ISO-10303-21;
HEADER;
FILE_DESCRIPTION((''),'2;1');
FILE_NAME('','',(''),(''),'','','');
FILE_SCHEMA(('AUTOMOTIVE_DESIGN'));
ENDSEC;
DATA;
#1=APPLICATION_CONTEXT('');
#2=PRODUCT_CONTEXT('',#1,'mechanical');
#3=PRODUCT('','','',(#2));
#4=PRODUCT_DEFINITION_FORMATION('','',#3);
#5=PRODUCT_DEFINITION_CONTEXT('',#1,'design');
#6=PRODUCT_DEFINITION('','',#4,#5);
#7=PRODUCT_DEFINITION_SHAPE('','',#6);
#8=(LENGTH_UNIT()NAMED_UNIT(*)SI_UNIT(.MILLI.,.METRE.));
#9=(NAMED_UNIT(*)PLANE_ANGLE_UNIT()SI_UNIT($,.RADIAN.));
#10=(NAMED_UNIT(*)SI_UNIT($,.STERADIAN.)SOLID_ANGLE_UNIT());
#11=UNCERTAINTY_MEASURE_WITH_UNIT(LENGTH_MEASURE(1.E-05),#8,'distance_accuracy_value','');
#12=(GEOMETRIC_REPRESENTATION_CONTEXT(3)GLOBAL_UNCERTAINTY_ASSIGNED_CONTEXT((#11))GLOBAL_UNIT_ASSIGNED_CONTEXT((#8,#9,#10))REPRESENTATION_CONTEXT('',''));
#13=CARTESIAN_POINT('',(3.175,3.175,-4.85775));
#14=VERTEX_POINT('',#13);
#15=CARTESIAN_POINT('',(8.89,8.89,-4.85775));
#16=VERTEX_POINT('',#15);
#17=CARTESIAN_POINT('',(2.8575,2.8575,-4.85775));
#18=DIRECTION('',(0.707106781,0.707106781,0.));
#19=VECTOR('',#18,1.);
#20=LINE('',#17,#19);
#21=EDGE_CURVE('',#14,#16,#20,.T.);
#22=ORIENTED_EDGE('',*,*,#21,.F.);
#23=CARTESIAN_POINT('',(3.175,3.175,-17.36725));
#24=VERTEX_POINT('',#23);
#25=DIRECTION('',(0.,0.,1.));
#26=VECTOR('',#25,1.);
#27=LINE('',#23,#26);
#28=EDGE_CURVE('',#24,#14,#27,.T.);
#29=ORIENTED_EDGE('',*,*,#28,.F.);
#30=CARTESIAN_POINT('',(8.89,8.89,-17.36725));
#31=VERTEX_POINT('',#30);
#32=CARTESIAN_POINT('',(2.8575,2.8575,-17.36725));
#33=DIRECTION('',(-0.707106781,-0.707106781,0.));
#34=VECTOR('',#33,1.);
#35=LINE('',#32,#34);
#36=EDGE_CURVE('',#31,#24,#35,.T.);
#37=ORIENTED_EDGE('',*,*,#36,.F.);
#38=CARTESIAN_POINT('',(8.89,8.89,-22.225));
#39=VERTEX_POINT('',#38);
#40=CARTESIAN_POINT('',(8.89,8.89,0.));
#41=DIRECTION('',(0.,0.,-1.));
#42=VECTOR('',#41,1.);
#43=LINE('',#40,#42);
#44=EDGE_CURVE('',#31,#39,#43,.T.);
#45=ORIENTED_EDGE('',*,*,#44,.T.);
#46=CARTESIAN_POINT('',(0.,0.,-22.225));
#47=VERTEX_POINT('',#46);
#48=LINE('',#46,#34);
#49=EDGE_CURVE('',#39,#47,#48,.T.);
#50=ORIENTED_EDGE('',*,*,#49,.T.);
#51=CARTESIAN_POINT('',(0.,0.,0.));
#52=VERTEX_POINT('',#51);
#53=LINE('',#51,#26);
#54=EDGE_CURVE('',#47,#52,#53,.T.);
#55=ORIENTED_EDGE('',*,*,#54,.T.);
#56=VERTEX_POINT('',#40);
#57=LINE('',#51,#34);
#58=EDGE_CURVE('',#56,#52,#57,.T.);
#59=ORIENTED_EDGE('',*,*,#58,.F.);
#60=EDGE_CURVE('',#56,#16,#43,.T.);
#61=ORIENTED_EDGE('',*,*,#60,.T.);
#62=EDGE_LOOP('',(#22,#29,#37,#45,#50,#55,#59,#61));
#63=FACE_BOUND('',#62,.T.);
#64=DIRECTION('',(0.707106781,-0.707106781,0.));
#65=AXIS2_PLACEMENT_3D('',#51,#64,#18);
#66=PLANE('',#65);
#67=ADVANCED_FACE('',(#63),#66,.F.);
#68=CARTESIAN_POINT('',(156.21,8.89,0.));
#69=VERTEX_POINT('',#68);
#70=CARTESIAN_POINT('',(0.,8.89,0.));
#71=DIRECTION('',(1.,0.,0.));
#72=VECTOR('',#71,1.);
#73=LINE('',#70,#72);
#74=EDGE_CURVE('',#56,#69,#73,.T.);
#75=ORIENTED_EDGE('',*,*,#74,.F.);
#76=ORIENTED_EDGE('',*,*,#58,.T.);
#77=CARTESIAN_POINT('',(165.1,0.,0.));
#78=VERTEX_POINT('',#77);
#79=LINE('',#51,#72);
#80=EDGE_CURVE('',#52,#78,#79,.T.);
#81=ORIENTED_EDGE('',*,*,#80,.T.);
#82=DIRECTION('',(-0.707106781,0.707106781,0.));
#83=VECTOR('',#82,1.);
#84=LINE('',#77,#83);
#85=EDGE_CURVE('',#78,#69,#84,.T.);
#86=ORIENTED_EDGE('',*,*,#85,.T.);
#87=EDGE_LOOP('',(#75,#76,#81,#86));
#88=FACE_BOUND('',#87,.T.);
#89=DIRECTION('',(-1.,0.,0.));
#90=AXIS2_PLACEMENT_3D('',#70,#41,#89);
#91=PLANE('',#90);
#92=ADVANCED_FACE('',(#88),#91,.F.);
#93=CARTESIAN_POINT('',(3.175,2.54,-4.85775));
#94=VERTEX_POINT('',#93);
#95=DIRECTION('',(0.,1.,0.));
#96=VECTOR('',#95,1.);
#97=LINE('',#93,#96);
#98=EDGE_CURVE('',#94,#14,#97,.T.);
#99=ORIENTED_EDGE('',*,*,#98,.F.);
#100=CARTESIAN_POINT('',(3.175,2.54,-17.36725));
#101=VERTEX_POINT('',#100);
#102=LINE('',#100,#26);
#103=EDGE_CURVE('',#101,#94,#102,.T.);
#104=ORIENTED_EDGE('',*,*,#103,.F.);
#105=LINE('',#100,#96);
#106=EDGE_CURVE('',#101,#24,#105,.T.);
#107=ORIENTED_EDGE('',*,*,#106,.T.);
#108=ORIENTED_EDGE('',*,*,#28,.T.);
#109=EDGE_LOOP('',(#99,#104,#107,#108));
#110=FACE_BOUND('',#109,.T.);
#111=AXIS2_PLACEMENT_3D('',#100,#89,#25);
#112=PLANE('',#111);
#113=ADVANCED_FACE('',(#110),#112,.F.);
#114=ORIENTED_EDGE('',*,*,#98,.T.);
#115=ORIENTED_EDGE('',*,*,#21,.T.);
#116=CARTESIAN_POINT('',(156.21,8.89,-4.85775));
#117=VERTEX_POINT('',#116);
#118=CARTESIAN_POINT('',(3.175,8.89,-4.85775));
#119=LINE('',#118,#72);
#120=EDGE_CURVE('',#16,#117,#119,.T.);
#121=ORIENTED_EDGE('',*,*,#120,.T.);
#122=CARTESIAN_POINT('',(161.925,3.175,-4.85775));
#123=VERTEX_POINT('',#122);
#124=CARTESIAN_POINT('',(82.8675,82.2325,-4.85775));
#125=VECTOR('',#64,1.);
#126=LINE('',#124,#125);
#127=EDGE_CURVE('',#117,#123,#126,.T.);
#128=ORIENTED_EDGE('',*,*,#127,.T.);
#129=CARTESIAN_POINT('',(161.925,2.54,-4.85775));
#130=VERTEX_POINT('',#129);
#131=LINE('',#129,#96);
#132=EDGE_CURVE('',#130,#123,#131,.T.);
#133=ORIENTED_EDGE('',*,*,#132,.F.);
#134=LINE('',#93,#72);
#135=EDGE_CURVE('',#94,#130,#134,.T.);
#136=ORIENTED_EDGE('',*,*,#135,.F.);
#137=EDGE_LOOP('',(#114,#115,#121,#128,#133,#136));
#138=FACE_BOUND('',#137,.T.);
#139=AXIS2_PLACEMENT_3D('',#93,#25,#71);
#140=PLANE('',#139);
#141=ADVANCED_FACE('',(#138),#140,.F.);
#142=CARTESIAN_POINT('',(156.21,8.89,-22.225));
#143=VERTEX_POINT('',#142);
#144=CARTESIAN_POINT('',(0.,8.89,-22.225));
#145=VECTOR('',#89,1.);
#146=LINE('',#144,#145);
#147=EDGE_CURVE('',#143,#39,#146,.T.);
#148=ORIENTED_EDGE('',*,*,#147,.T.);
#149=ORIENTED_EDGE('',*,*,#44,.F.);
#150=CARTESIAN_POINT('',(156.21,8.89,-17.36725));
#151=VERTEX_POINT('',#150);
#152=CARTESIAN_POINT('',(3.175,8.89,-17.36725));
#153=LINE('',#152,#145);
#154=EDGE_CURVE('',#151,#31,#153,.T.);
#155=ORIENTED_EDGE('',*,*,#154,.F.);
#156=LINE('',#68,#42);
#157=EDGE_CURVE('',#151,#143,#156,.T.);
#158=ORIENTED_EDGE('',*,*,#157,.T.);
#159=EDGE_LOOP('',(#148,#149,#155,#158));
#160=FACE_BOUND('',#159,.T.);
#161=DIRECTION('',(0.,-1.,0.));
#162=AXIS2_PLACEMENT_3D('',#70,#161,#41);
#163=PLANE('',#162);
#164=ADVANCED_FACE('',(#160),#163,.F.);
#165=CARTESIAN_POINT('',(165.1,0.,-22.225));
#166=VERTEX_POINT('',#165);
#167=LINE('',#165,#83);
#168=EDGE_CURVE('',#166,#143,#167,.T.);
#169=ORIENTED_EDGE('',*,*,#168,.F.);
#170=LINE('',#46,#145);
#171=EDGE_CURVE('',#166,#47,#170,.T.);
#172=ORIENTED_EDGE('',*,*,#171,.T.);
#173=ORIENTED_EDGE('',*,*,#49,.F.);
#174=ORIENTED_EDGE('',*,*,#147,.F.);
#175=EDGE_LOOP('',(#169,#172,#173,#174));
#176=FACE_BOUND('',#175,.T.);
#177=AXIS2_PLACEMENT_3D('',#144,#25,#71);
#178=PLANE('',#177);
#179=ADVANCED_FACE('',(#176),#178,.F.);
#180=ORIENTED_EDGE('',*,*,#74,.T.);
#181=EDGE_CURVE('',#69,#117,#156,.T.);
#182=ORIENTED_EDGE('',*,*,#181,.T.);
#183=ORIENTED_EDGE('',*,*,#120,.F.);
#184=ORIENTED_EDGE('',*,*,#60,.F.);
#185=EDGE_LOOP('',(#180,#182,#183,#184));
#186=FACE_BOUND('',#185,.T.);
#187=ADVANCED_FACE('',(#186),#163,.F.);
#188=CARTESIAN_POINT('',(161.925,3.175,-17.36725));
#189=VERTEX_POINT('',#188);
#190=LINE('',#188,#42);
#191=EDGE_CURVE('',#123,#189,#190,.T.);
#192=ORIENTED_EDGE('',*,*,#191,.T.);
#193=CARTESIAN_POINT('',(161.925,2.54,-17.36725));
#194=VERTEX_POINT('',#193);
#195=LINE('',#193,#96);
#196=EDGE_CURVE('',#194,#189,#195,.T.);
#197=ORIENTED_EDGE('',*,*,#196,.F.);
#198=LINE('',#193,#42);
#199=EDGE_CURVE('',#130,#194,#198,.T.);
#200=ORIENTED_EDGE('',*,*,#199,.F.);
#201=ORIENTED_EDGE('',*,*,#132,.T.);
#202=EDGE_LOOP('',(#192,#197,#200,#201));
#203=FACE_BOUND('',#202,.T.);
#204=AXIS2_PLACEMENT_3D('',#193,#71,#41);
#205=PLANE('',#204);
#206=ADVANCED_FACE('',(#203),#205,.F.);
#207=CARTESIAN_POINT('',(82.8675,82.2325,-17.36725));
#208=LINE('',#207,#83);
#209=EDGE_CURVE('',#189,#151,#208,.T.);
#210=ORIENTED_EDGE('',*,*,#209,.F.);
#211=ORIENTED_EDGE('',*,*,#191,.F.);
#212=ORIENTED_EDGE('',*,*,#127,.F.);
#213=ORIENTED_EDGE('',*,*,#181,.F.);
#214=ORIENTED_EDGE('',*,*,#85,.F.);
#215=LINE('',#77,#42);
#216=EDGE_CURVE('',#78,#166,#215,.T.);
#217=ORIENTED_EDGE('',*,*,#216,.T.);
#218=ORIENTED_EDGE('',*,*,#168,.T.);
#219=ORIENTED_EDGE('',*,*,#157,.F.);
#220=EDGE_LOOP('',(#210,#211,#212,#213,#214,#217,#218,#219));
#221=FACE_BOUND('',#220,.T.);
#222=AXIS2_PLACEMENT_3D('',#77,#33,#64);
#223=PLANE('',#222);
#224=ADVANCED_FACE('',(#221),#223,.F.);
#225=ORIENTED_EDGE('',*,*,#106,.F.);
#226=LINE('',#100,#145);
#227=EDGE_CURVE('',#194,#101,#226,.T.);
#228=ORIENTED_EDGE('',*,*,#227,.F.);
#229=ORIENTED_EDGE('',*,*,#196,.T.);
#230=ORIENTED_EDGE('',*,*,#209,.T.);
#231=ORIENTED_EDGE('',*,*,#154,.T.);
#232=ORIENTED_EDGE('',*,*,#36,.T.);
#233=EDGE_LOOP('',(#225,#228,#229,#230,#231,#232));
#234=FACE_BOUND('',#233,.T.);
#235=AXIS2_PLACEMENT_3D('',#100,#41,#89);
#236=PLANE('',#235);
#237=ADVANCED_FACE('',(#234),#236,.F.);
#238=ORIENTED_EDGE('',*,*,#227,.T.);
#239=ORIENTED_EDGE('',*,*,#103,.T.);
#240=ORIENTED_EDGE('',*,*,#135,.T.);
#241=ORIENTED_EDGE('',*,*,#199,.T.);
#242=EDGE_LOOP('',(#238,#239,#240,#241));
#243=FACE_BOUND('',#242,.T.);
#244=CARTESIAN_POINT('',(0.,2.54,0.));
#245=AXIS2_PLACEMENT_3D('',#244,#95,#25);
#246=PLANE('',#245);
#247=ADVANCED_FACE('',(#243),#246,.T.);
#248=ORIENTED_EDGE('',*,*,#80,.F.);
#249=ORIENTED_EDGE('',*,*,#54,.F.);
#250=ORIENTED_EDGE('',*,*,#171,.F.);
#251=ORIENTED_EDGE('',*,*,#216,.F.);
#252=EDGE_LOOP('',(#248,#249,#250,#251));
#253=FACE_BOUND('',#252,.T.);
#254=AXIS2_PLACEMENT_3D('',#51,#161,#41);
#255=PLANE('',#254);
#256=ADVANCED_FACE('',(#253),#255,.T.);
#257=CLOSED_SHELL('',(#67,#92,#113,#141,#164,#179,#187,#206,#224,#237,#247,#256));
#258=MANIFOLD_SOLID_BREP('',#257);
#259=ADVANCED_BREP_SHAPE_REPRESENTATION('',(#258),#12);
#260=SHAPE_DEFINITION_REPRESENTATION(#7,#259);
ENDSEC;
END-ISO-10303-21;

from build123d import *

# Parameters (mm, degrees)
SKETCH1_W          = 165.1
SKETCH1_H          = 22.225
BASE_EXTRUDE_DEPTH = 8.89
SKETCH3_W          = 158.75
SKETCH3_H          = 12.5095
PIECE_CUT_DEPTH    = 6.35
CORNER_CUT_DEPTH   = 167.826235122


with BuildPart() as part:
    # Sketch1 → Base Extrude (new body)
    with BuildSketch(Plane(origin=(0, 0, 0), x_dir=(1, 0, 0), z_dir=(0, 1, 0))):
        with Locations((82.55, 11.1125)):
            Rectangle(SKETCH1_W, SKETCH1_H)
    extrude(amount=BASE_EXTRUDE_DEPTH)

    # Sketch3 → Piece Cut (cut)
    with BuildSketch(Plane(origin=(0, 8.89, 0), x_dir=(1, 0, 0), z_dir=(0, 1, 0))):
        with Locations((82.55, 11.1125)):
            Rectangle(SKETCH3_W, SKETCH3_H)
    extrude(amount=-PIECE_CUT_DEPTH, mode=Mode.SUBTRACT)

    # Sketch4 → Corner Cut (cut, through all)
    with BuildSketch(Plane(origin=(0, 0, -22.225), x_dir=(-1, 0, 0), z_dir=(0, 0, -1))):
        Polygon((0, 0), (-8.89, 8.89), (0, 8.89), align=None)
        Polygon((-165.1, 8.89), (-156.21, 8.89), (-165.1, 0), align=None)
    extrude(amount=-CORNER_CUT_DEPTH, mode=Mode.SUBTRACT)


solid = part.part
